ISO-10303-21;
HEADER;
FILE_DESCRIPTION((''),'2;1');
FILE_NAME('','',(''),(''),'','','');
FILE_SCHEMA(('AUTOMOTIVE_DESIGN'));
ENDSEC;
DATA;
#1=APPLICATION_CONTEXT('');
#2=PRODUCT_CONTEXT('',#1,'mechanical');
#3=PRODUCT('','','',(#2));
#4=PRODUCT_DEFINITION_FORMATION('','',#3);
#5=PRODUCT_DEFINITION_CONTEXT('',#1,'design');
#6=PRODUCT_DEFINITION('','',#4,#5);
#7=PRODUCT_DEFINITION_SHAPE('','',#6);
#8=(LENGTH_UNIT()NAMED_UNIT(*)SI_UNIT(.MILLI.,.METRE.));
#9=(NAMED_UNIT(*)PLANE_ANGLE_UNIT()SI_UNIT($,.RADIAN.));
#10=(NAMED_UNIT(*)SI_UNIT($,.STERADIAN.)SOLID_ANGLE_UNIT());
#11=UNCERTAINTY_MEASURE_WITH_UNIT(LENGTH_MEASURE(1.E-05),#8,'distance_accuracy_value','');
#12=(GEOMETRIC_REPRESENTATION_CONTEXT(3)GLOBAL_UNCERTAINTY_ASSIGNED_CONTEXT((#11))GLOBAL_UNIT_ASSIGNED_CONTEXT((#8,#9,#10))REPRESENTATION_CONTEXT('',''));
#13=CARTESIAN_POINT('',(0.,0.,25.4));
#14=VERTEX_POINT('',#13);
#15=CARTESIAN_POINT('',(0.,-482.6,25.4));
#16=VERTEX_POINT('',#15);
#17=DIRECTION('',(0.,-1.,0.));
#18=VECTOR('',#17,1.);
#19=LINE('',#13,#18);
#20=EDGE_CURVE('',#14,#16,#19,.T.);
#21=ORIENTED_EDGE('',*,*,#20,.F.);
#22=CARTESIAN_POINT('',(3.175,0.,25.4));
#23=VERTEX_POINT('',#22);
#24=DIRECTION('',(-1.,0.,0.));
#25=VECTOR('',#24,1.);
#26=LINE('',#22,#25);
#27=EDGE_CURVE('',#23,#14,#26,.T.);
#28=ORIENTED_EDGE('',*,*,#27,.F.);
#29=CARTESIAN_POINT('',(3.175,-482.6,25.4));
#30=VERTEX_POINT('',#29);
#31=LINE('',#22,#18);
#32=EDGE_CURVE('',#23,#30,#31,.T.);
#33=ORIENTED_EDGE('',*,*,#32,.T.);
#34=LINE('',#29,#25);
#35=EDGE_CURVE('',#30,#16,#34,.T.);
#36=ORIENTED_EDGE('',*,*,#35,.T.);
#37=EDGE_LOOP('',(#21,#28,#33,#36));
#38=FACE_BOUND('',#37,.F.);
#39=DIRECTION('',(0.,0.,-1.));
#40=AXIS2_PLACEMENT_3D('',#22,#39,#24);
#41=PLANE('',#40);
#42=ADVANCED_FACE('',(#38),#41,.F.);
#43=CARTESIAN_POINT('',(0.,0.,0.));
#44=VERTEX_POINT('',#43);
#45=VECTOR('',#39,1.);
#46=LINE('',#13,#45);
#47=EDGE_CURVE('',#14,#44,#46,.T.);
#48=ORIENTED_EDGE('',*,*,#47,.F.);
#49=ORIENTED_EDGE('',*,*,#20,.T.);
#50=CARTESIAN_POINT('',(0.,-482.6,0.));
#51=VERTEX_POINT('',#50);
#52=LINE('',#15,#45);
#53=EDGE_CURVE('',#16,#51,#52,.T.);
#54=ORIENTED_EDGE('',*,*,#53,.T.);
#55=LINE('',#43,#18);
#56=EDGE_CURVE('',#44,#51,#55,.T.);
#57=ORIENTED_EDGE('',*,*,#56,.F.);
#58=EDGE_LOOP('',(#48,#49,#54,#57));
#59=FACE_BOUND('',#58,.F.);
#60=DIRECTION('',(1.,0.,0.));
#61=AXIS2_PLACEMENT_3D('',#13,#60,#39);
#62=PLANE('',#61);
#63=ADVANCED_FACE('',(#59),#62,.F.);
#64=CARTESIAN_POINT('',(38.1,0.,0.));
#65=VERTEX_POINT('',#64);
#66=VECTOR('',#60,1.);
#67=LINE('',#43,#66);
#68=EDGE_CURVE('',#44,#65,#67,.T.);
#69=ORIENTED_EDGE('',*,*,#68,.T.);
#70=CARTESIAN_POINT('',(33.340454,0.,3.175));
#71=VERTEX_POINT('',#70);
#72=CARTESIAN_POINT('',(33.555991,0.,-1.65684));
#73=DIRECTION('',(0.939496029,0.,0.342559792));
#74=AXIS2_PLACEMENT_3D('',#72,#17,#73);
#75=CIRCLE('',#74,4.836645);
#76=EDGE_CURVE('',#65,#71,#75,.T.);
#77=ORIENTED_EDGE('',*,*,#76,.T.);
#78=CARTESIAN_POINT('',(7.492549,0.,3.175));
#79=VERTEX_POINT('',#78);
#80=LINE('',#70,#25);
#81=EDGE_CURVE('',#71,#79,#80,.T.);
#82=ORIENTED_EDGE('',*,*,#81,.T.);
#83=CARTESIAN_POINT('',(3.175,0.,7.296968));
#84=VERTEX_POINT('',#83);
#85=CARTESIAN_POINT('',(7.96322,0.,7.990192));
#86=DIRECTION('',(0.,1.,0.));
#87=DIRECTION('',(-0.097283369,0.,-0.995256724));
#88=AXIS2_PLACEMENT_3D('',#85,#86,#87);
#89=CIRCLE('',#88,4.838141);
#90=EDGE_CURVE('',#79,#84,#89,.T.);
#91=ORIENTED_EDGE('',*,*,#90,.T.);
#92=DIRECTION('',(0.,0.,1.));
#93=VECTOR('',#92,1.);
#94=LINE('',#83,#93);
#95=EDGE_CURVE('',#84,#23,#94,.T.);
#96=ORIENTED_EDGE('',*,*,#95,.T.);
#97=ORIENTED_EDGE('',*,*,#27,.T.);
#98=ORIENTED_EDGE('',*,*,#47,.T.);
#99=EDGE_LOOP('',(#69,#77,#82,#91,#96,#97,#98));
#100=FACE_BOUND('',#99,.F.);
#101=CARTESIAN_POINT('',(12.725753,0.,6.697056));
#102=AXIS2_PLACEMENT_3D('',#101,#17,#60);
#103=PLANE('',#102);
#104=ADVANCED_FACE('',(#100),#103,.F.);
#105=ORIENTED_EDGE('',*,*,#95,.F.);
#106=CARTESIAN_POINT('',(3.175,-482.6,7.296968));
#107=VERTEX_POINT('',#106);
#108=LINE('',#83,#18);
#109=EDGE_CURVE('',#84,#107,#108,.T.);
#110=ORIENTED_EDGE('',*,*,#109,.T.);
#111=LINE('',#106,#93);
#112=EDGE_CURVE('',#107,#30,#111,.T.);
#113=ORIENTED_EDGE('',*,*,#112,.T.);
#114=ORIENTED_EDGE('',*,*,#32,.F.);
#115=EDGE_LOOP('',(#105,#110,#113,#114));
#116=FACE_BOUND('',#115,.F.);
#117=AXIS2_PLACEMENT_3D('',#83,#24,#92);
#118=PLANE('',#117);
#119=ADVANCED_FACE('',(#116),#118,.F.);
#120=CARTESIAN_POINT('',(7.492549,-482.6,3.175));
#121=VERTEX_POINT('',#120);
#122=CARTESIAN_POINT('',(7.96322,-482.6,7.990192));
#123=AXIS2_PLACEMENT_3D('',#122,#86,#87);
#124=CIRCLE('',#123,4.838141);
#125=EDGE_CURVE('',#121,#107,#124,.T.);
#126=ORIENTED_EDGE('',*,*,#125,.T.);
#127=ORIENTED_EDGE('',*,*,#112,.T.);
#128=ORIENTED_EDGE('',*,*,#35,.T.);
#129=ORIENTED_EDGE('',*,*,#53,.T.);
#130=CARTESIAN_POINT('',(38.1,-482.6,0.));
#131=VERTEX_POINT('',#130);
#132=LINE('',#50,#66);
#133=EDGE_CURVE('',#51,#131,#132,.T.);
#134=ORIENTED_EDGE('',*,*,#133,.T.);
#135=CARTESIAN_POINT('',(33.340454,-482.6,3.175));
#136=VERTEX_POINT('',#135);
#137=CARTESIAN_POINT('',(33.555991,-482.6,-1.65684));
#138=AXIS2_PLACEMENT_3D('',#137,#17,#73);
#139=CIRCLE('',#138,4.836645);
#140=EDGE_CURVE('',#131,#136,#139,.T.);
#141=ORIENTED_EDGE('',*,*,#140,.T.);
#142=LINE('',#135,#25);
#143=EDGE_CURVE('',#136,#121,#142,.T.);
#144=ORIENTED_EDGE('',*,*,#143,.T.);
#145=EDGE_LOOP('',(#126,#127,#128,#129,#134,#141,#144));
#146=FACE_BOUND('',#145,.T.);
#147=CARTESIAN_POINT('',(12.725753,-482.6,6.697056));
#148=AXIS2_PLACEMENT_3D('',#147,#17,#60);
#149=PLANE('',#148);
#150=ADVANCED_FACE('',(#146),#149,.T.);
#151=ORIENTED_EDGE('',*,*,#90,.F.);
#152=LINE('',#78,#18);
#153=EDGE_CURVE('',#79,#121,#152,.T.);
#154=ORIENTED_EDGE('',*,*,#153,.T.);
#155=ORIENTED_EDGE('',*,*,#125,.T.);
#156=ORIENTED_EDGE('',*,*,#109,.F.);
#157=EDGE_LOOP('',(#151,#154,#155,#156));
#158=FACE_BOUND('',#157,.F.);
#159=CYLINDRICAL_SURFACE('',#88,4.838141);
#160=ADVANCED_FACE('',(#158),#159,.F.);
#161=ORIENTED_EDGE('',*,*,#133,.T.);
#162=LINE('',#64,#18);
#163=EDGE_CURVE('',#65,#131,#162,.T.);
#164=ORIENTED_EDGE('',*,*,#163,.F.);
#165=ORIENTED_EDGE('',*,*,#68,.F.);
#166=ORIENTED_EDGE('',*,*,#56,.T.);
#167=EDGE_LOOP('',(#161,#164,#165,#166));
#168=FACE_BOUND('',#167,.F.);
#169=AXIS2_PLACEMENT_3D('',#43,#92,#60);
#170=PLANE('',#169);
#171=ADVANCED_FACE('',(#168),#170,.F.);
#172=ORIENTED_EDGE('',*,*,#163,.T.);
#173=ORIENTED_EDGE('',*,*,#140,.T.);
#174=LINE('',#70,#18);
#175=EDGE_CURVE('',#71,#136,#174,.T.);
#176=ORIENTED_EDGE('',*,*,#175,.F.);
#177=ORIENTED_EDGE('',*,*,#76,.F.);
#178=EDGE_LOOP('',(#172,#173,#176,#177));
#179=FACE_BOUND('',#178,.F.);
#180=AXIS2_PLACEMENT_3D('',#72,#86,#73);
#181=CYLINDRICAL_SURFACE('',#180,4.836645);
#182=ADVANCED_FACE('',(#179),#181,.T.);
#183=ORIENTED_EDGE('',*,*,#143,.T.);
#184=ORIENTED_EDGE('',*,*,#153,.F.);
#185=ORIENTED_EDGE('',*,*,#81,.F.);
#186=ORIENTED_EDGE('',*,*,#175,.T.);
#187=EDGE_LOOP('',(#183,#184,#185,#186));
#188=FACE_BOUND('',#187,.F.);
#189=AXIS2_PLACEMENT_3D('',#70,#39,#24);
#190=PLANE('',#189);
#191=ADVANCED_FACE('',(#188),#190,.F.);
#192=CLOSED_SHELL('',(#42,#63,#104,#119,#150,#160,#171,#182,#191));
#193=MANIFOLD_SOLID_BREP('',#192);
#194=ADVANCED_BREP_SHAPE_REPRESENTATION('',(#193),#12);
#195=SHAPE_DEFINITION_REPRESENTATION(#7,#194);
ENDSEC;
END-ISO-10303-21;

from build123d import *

# Parameters (mm, degrees)
F1_DEPTH = 482.6


with BuildPart() as f1:
    # F0 (on Front) → F1 (new body)
    with BuildSketch(Plane.XZ):
        with BuildLine():
            Line((0, 3.175), (0, 0))
            Line((0, 0), (3.175, 0))
            Line((3.175, 0), (38.1, 0))
            ThreePointArc((38.1, 0), (36.240032, 2.366723), (33.340454, 3.175))
            Line((33.340454, 3.175), (7.492549, 3.175))
            ThreePointArc((7.492549, 3.175), (4.622316, 4.490768), (3.175, 7.296968))
            Line((3.175, 7.296968), (3.175, 25.4))
            Line((3.175, 25.4), (0, 25.4))
            Line((0, 25.4), (0, 3.175))
        make_face()
    extrude(amount=F1_DEPTH)


solid = f1.part
